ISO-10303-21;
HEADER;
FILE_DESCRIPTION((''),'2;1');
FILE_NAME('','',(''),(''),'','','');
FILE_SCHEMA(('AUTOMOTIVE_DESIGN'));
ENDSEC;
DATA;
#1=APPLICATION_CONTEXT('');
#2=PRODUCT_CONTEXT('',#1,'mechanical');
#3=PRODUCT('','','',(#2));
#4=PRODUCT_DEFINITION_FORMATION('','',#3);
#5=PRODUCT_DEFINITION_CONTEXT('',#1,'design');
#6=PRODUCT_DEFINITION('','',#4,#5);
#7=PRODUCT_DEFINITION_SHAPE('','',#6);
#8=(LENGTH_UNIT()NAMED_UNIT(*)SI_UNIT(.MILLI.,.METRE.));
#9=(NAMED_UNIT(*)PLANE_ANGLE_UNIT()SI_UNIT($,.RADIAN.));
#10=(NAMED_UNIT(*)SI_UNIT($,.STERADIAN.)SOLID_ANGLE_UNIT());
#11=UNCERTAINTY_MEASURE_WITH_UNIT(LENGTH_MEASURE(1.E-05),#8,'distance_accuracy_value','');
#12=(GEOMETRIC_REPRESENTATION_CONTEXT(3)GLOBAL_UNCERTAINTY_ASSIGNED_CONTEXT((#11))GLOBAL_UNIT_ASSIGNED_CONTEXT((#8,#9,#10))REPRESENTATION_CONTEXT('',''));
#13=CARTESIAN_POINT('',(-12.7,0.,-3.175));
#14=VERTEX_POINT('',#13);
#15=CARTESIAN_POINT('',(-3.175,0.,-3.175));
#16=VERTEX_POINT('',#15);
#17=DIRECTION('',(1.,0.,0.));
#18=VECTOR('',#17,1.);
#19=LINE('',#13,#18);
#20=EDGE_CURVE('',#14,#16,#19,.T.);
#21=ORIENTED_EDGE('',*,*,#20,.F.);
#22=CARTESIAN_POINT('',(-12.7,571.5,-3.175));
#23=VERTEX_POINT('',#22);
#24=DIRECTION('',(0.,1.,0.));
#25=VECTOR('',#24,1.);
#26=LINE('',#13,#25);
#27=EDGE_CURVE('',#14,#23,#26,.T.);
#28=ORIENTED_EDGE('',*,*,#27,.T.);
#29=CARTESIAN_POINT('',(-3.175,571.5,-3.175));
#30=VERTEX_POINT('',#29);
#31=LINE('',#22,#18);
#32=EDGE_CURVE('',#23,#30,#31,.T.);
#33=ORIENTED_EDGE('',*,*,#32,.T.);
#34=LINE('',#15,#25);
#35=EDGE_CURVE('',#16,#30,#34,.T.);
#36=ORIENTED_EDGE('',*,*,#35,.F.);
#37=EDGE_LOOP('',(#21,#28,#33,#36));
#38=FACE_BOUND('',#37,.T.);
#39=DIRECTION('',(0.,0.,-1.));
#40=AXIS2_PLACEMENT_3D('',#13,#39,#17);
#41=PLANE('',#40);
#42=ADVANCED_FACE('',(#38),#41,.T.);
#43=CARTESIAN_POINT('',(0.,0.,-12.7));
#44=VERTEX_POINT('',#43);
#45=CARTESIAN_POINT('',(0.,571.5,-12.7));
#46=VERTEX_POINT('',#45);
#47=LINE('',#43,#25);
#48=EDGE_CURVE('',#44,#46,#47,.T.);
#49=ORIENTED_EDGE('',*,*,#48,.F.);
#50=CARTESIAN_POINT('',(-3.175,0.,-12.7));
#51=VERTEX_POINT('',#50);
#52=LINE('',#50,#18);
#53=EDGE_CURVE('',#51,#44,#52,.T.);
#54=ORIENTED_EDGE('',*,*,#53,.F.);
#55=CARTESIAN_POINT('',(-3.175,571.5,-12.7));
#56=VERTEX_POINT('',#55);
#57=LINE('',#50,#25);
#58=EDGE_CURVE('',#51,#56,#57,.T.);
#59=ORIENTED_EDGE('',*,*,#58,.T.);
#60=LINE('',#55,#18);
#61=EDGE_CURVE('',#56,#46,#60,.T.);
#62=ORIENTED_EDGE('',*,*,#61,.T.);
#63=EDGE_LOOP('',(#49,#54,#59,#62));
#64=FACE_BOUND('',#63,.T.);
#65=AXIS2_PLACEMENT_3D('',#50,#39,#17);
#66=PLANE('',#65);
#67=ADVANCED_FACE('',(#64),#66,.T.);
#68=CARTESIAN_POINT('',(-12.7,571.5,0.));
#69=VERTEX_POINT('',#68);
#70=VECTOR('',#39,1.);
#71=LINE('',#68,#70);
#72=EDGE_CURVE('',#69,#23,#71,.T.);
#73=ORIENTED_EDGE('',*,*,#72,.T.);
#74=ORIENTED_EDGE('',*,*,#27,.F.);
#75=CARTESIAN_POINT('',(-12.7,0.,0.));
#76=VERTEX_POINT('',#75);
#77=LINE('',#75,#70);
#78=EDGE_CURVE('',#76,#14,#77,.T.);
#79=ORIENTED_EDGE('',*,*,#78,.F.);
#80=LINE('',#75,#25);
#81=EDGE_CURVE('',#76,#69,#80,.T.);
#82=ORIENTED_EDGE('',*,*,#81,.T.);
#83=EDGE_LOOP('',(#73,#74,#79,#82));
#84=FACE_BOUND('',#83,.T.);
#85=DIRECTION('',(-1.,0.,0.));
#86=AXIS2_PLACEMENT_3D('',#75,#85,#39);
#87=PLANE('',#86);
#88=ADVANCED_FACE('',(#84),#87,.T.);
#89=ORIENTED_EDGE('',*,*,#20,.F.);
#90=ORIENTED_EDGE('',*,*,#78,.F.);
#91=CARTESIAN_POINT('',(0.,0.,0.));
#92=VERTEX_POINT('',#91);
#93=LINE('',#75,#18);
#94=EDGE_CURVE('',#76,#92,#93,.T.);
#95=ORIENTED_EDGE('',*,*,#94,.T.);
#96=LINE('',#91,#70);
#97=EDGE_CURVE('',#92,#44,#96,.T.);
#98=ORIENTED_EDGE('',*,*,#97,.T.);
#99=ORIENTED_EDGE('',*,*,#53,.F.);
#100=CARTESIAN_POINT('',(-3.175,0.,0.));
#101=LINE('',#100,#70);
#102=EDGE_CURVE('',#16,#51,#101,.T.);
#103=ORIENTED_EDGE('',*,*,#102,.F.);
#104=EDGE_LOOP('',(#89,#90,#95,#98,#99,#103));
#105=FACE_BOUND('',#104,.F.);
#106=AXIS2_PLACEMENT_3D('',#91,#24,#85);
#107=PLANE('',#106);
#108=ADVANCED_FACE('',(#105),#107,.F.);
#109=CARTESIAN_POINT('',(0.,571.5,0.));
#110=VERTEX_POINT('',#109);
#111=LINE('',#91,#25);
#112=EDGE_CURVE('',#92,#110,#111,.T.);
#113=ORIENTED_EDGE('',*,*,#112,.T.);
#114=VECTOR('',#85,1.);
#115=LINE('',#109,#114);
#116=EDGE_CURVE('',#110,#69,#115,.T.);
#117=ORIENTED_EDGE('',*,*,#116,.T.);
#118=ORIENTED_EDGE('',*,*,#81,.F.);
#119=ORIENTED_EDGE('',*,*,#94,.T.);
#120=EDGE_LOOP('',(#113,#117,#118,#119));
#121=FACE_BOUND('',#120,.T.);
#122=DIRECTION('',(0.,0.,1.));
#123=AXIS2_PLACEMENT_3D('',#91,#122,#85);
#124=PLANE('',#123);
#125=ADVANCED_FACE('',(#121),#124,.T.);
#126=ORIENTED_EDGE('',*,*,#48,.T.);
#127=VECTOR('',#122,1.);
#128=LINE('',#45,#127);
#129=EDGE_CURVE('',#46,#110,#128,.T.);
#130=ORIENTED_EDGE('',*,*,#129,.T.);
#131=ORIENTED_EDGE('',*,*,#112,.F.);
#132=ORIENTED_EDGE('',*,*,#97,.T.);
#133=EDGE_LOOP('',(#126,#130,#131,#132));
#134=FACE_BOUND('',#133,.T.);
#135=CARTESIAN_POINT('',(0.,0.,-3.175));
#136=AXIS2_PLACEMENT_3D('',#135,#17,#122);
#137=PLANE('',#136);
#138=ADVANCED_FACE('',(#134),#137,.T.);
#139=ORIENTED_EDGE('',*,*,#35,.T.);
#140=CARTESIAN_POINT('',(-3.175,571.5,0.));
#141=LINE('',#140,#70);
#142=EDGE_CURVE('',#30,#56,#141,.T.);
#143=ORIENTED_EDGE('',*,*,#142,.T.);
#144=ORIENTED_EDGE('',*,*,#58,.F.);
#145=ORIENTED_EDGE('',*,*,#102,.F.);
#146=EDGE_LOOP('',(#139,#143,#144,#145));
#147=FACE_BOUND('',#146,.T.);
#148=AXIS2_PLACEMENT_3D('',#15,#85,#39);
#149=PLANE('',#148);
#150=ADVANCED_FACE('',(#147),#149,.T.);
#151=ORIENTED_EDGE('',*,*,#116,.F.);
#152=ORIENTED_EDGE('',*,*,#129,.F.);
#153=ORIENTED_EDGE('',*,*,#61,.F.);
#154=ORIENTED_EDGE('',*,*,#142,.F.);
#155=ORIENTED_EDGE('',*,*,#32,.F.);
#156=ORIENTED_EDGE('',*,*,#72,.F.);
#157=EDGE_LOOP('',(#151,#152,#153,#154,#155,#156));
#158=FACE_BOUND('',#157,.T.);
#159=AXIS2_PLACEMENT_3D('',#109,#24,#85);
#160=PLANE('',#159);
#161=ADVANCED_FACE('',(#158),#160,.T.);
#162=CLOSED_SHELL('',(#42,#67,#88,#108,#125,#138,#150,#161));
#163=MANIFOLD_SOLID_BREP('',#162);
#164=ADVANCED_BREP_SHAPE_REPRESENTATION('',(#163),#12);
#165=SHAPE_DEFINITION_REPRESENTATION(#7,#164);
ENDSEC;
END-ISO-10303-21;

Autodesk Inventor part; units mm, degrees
ref_plane "YZ Plane" through (0, 0, 0) normal (1, 0, 0) x (0, 1, 0)
ref_plane "XZ Plane" through (0, 0, 0) normal (0, 1, 0) x (-1, 0, 0)
ref_plane "XY Plane" through (0, 0, 0) normal (0, 0, 1) x (1, 0, 0)
sketch "Sketch1" plane through (0, 0, 0) normal (0, 1, 0) x (-1, 0, 0)
  line L0 (0, 0) -> (3.175, 0)
  line L1 (3.175, 0) -> (3.175, -12.7)
  line L2 (3.175, -12.7) -> (0, -12.7)
  line L3 (0, -12.7) -> (0, 0)
  line L4 (0, 0) -> (12.7, 0)
  line L5 (12.7, 0) -> (12.7, -3.175)
  line L6 (12.7, -3.175) -> (0, -3.175)
  line L7 (0, -3.175) -> (0, 0)
  dimension "d0" = 12.7
  dimension "d1" = 3.175
  dimension "d2" = 3.175
  dimension "d3" = 12.7
extrude "Extrusion1" add sketch "Sketch1" along normal blind 571.5
properties part number "19 in L Block-ver1-1111-2019"
